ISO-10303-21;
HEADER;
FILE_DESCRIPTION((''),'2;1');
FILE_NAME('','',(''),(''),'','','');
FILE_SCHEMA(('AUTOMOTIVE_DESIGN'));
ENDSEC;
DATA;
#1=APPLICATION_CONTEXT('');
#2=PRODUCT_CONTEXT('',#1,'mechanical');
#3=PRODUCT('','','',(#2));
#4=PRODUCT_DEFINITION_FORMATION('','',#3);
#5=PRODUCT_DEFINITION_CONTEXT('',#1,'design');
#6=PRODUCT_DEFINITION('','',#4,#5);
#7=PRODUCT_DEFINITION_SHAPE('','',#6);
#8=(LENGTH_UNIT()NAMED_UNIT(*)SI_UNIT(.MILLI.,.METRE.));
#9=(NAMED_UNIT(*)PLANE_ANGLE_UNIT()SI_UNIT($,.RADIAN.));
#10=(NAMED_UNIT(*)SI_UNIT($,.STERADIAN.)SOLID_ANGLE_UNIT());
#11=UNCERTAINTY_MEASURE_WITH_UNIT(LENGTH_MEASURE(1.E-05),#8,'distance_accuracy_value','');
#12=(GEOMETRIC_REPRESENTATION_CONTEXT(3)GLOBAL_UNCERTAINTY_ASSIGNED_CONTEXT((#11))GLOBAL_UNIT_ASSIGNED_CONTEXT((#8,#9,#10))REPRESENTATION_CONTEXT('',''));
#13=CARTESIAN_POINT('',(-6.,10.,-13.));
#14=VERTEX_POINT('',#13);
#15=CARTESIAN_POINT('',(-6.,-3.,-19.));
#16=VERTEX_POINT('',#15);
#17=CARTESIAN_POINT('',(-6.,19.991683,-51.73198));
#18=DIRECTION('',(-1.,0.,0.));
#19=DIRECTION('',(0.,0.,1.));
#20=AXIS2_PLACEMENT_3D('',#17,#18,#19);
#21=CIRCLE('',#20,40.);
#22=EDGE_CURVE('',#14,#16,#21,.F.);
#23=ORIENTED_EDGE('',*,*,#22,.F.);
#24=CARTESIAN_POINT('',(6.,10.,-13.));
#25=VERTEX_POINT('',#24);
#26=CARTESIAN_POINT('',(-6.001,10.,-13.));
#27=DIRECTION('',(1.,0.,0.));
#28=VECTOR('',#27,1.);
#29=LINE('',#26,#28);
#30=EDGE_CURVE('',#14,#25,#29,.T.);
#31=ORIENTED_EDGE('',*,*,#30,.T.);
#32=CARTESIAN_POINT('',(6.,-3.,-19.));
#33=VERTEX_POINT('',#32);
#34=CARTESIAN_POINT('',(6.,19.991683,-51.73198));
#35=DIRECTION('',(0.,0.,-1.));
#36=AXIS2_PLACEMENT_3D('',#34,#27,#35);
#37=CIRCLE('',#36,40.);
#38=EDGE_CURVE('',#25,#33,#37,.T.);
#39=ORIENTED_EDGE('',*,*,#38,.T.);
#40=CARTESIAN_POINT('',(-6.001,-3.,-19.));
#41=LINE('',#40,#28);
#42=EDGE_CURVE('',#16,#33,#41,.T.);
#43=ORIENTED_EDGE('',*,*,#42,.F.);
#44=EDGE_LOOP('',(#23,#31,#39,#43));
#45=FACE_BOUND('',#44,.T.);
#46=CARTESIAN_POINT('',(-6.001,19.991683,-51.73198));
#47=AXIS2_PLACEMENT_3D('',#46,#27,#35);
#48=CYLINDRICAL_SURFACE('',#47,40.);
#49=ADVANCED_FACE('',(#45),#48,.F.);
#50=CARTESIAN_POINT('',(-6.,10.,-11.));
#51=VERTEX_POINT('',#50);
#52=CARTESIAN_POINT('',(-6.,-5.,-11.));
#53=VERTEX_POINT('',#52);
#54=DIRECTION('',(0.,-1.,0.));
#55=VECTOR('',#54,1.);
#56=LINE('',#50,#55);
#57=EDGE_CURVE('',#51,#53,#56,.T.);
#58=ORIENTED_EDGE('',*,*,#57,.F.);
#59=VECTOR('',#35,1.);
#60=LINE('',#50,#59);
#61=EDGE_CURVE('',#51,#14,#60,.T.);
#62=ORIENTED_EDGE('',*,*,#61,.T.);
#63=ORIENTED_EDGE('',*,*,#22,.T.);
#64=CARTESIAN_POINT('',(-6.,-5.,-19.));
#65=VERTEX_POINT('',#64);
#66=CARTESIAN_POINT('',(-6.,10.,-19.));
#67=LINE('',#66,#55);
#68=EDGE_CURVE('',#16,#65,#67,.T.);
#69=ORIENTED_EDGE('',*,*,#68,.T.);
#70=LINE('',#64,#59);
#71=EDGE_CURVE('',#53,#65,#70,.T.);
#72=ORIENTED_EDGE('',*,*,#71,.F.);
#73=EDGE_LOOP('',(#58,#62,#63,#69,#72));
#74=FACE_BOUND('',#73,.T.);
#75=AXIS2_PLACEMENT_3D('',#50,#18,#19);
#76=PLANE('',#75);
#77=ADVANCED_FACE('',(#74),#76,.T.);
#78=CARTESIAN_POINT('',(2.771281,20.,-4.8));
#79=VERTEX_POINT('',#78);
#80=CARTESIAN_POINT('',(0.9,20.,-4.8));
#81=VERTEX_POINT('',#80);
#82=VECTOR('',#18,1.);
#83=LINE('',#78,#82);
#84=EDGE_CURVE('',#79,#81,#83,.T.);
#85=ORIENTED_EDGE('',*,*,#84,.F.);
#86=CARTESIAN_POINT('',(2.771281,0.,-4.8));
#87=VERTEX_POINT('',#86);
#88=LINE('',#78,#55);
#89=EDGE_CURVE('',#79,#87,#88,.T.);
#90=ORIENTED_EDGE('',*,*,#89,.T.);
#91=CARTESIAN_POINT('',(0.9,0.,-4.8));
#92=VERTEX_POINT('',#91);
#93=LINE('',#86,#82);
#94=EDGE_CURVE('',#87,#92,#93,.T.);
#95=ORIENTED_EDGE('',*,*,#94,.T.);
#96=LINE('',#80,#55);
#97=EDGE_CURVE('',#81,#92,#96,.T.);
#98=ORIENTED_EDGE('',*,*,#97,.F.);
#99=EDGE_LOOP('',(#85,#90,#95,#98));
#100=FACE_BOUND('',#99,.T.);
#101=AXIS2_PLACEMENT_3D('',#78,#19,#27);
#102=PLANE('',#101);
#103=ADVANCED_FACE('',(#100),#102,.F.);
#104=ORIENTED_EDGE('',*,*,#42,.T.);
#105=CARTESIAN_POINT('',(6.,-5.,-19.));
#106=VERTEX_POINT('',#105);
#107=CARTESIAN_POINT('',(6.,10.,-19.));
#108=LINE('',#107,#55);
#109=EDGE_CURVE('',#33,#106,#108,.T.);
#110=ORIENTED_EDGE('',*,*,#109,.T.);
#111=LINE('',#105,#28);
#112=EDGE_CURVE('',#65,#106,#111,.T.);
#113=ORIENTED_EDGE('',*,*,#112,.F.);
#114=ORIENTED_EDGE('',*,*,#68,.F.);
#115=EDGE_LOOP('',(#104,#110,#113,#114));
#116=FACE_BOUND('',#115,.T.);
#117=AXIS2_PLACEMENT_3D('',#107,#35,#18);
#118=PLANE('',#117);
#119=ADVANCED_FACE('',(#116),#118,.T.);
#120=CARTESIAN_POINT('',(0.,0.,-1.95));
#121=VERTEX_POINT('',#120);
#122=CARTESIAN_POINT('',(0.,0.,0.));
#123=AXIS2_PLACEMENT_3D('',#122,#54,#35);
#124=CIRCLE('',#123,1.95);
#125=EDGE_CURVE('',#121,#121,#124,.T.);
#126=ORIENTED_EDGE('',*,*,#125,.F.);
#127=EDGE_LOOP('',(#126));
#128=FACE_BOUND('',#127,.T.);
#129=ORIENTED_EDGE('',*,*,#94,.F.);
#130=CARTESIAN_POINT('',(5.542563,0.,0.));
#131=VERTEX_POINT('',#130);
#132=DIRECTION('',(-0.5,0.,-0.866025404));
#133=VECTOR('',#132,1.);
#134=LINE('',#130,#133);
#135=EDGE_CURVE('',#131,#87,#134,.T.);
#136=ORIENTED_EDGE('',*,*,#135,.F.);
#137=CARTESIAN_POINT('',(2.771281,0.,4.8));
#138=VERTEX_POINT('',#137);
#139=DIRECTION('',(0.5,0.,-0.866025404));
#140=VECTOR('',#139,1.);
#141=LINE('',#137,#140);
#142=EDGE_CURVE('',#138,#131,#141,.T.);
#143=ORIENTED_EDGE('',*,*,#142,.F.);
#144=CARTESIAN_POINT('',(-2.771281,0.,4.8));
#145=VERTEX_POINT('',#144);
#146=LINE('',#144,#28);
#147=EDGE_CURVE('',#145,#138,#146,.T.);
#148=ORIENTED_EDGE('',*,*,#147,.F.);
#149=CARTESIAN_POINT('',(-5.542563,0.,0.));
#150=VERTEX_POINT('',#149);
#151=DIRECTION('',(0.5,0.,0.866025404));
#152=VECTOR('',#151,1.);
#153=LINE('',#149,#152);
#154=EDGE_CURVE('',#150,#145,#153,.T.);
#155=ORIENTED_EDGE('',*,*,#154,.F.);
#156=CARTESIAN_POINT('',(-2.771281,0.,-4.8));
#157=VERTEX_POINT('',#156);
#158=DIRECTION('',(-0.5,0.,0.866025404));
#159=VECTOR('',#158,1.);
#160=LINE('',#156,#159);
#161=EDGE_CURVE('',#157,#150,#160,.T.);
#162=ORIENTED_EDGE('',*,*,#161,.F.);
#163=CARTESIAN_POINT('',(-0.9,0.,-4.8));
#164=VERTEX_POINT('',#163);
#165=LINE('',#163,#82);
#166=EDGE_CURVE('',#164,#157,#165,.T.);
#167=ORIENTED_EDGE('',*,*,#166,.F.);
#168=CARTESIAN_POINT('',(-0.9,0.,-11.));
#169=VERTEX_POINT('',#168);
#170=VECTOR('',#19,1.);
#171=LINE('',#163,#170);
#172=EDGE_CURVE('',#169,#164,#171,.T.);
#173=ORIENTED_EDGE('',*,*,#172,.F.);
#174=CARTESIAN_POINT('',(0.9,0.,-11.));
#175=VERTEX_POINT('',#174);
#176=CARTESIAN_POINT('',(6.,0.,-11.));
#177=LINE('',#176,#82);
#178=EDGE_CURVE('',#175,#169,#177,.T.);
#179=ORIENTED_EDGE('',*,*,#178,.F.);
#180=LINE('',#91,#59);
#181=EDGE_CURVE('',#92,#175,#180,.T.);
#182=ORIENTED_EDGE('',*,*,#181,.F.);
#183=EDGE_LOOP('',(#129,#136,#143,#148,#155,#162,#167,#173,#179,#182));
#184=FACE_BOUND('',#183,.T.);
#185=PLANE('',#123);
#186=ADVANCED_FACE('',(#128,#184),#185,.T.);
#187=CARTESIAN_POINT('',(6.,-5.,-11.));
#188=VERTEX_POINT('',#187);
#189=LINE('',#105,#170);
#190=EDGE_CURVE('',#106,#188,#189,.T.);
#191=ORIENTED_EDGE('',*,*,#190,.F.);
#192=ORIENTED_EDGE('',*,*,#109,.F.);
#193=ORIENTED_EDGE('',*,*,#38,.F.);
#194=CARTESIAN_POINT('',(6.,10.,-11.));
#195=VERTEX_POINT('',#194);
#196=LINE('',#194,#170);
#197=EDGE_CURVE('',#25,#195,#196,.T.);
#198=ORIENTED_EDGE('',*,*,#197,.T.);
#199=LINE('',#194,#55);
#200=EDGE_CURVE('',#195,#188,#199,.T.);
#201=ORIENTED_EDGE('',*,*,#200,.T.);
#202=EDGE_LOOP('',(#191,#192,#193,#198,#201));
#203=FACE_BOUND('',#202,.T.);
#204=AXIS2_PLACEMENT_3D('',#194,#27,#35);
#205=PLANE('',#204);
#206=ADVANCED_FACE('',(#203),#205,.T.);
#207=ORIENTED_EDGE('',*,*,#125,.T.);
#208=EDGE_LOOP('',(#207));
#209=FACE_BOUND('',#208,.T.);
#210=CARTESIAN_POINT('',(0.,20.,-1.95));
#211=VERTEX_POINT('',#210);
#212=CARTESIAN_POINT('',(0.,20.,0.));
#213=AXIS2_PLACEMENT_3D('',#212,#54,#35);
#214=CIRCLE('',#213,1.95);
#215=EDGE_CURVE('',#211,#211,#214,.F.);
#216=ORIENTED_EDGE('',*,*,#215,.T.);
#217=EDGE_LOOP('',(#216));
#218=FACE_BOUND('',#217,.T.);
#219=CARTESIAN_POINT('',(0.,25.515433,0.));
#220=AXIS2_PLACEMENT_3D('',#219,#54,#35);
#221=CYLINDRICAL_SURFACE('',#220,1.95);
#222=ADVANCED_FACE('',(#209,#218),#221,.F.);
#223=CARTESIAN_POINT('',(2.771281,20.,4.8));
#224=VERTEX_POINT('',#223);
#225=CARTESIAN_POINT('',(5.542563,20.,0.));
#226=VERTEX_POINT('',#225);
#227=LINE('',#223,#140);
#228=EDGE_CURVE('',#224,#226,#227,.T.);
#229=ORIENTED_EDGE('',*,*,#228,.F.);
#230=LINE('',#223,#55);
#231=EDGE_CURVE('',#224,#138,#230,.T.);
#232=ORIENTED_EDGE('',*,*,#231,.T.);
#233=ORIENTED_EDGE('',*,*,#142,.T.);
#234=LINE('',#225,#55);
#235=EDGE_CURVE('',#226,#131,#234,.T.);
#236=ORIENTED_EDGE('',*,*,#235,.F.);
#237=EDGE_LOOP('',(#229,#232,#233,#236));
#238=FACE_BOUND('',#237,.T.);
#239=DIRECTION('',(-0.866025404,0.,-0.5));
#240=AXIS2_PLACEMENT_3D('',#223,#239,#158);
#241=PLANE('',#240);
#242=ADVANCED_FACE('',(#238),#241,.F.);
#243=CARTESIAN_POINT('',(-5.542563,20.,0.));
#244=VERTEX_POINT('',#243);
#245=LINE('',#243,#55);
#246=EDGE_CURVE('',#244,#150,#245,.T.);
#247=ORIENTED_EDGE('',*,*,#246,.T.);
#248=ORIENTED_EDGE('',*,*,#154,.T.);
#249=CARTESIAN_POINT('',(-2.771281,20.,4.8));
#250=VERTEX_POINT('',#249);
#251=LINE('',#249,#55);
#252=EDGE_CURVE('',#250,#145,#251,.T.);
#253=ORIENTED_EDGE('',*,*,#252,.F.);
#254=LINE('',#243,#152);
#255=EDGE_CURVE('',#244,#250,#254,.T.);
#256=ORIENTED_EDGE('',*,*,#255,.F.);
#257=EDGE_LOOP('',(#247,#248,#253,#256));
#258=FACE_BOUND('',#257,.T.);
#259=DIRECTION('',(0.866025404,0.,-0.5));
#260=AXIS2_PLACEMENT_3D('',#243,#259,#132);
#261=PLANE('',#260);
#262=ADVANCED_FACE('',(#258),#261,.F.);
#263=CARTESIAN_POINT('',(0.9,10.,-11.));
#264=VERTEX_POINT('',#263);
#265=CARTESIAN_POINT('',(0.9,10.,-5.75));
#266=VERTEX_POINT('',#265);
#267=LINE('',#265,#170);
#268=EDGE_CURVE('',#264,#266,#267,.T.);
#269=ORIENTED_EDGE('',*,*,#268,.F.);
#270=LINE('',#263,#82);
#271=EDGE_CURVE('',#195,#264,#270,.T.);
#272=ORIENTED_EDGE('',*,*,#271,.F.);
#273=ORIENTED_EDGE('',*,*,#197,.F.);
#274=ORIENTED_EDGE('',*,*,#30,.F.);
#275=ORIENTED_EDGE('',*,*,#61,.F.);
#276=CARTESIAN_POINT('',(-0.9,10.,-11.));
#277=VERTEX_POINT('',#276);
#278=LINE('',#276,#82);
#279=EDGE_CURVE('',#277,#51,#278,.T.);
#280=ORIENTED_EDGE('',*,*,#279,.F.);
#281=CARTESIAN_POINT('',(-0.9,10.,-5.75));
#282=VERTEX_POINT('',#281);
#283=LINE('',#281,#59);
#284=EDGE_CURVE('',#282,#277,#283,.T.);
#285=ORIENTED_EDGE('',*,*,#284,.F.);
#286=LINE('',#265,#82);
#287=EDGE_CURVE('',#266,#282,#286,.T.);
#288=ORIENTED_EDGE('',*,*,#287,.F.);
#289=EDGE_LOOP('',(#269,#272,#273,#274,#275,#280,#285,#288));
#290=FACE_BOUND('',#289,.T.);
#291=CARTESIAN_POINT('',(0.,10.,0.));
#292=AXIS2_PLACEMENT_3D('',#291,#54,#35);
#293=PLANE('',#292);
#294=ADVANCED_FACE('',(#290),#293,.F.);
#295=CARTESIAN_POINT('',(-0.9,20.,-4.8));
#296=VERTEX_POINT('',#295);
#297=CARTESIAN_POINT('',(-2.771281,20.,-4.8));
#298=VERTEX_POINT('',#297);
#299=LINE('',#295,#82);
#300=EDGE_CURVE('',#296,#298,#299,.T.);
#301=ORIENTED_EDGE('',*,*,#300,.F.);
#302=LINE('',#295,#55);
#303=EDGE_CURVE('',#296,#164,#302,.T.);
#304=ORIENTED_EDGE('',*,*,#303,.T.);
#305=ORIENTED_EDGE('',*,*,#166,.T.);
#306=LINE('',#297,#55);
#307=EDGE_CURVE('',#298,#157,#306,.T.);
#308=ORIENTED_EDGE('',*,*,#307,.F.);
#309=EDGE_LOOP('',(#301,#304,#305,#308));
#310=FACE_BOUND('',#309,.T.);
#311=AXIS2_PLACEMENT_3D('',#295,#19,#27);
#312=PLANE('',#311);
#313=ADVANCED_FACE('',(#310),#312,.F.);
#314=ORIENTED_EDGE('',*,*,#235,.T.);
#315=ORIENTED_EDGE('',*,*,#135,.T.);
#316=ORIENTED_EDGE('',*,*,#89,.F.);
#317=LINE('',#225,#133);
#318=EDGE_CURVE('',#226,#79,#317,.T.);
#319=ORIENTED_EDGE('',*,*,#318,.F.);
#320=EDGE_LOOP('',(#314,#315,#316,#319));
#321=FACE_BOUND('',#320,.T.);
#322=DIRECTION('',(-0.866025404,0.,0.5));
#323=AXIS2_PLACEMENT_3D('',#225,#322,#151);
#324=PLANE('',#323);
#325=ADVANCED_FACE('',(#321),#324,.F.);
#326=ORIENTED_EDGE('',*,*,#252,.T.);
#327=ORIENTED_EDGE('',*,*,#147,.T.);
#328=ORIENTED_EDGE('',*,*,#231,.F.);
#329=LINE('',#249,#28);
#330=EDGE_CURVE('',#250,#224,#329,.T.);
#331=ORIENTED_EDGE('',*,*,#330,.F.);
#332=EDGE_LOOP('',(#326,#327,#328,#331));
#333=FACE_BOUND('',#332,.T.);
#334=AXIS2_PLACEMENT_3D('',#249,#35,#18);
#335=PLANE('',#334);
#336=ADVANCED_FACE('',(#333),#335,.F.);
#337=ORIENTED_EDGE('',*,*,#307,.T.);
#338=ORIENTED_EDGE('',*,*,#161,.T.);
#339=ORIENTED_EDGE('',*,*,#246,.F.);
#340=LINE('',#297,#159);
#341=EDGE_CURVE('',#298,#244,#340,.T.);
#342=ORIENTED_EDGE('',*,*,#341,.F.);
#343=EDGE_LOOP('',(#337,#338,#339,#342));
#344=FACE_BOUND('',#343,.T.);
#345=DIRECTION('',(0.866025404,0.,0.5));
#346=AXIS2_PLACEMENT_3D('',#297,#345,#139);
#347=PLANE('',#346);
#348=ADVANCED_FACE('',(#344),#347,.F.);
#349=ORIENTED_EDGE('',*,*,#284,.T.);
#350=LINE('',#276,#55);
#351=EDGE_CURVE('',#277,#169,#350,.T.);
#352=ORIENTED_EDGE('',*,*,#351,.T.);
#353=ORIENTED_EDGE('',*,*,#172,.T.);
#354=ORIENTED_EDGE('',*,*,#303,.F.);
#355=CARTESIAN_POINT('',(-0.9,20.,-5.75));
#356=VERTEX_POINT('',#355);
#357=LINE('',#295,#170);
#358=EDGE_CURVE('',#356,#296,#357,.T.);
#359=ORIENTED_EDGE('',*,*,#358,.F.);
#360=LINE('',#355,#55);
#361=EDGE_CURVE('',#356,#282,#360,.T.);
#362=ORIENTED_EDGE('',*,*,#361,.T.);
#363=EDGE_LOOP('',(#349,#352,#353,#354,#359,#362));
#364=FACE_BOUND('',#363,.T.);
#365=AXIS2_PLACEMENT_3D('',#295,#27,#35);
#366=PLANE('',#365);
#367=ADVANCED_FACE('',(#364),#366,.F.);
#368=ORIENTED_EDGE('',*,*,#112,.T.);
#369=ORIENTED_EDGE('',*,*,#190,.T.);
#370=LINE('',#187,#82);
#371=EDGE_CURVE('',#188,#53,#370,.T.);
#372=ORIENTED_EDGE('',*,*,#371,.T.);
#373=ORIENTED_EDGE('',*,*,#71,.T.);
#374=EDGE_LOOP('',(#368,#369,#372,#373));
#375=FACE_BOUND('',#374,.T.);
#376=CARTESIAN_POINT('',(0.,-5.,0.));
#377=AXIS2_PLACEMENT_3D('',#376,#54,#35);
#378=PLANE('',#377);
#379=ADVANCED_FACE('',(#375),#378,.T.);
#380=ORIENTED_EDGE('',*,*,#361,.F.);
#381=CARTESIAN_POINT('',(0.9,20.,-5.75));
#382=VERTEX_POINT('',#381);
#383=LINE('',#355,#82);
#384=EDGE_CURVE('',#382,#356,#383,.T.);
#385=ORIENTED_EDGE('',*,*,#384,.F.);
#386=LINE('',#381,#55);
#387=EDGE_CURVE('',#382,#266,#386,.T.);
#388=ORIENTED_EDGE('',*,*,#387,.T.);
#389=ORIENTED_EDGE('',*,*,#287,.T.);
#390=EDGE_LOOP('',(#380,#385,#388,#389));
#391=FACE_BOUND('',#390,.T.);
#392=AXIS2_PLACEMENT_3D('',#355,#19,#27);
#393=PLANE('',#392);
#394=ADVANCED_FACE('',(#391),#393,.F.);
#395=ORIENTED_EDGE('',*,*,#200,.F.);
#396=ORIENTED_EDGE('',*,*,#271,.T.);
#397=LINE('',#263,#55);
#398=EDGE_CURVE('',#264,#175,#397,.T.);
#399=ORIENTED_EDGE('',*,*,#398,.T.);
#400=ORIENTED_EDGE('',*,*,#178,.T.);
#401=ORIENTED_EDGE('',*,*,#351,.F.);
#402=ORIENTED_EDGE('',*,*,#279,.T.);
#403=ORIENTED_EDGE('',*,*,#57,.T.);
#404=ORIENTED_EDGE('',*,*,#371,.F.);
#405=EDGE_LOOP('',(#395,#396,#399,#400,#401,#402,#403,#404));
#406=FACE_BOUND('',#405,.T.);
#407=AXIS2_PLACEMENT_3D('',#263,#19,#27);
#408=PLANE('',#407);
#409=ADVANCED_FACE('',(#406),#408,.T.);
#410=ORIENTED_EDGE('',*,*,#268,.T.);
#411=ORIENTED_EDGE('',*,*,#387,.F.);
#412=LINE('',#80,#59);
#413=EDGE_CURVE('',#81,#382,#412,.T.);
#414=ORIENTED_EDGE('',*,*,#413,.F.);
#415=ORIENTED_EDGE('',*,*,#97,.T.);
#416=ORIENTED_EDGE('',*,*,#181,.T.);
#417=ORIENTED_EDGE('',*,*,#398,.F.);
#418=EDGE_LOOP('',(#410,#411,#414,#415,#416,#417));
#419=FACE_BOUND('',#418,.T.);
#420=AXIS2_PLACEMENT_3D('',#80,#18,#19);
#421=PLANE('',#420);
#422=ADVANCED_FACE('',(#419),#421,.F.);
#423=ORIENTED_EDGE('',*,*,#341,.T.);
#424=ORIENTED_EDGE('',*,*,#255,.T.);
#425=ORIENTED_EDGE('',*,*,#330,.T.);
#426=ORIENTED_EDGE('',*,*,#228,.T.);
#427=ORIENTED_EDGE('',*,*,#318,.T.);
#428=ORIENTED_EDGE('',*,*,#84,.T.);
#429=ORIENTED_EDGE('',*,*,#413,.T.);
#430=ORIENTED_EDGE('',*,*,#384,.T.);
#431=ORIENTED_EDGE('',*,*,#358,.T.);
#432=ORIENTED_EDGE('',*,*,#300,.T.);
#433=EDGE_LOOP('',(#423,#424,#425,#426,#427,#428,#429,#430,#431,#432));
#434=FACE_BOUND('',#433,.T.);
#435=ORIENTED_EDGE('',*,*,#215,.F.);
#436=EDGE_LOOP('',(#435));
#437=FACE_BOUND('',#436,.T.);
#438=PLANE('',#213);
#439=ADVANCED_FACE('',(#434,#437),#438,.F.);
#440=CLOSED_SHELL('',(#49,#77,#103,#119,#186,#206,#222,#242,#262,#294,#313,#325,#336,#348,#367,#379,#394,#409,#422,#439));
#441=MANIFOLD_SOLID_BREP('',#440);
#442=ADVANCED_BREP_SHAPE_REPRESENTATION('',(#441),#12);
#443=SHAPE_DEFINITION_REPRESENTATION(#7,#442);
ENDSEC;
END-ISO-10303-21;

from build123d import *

# Parameters (mm, degrees)
BOSS_EXTRUDE1_DEPTH = 20
SKETCH4_R           = 1.95
CUT_EXTRUDE1_DEPTH  = 20
BOSS_EXTRUDE2_DEPTH = 10
SKETCH8_W           = 12
SKETCH8_H           = 8
BOSS_EXTRUDE3_DEPTH = 5
CUT_EXTRUDE3_REACH  = 14


with BuildPart() as part:
    # Sketch2 → Boss-Extrude1 (new body)
    with BuildSketch(Plane(origin=(0, 0, 0), x_dir=(1, 0, 0), z_dir=(0, 1, 0))):
        Polygon((5.542562584, 0), (2.771281292, 4.8), (0.9, 4.8), (0.9, 5.75), (-0.9, 5.75), (-0.9, 4.8), (-2.771281292, 4.8), (-5.542562584, 0), (-2.771281292, -4.8), (2.771281292, -4.8), align=None)
    extrude(amount=BOSS_EXTRUDE1_DEPTH)

    # Sketch4 → Cut-Extrude1 (cut)
    with BuildSketch(Plane(origin=(0, 0, 0), x_dir=(-1, 0, 0), z_dir=(0, -1, 0))):
        Circle(SKETCH4_R)
    extrude(amount=-CUT_EXTRUDE1_DEPTH, mode=Mode.SUBTRACT)

    # Sketch6 → Boss-Extrude2 (add)
    with BuildSketch(Plane.XZ):
        Polygon((0.9, -5.75), (0.9, -11), (6, -11), (6, -19), (-6, -19), (-6, -11), (-0.9, -11), (-0.9, -5.75), align=None)
    extrude(amount=-BOSS_EXTRUDE2_DEPTH)

    # Sketch8 → Boss-Extrude3 (add)
    with BuildSketch(Plane(origin=(0, 0, 0), x_dir=(-1, 0, 0), z_dir=(0, -1, 0))):
        with Locations((0, 15)):
            Rectangle(SKETCH8_W, SKETCH8_H)
    extrude(amount=BOSS_EXTRUDE3_DEPTH)

    # Sketch9 → Cut-Extrude3 (cut, up to next)
    with BuildSketch(Plane(origin=(6, 0, 0), x_dir=(0, 0, -1), z_dir=(1, 0, 0)), mode=Mode.PRIVATE) as cut_extrude3_sk1:
        with BuildLine():
            Line((13, 10), (19, 10))
            Line((19, 10), (19, -3))
            ThreePointArc((19, -3), (15.413604557, 3.22935595), (13, 10))
        make_face()
    cut_extrude3_tool1 = extrude(cut_extrude3_sk1.sketch, amount=-CUT_EXTRUDE3_REACH, mode=Mode.PRIVATE) & part.part
    add(cut_extrude3_tool1.solids().sort_by_distance((6, 5.355709, -16.831232))[0], mode=Mode.SUBTRACT)


solid = part.part
